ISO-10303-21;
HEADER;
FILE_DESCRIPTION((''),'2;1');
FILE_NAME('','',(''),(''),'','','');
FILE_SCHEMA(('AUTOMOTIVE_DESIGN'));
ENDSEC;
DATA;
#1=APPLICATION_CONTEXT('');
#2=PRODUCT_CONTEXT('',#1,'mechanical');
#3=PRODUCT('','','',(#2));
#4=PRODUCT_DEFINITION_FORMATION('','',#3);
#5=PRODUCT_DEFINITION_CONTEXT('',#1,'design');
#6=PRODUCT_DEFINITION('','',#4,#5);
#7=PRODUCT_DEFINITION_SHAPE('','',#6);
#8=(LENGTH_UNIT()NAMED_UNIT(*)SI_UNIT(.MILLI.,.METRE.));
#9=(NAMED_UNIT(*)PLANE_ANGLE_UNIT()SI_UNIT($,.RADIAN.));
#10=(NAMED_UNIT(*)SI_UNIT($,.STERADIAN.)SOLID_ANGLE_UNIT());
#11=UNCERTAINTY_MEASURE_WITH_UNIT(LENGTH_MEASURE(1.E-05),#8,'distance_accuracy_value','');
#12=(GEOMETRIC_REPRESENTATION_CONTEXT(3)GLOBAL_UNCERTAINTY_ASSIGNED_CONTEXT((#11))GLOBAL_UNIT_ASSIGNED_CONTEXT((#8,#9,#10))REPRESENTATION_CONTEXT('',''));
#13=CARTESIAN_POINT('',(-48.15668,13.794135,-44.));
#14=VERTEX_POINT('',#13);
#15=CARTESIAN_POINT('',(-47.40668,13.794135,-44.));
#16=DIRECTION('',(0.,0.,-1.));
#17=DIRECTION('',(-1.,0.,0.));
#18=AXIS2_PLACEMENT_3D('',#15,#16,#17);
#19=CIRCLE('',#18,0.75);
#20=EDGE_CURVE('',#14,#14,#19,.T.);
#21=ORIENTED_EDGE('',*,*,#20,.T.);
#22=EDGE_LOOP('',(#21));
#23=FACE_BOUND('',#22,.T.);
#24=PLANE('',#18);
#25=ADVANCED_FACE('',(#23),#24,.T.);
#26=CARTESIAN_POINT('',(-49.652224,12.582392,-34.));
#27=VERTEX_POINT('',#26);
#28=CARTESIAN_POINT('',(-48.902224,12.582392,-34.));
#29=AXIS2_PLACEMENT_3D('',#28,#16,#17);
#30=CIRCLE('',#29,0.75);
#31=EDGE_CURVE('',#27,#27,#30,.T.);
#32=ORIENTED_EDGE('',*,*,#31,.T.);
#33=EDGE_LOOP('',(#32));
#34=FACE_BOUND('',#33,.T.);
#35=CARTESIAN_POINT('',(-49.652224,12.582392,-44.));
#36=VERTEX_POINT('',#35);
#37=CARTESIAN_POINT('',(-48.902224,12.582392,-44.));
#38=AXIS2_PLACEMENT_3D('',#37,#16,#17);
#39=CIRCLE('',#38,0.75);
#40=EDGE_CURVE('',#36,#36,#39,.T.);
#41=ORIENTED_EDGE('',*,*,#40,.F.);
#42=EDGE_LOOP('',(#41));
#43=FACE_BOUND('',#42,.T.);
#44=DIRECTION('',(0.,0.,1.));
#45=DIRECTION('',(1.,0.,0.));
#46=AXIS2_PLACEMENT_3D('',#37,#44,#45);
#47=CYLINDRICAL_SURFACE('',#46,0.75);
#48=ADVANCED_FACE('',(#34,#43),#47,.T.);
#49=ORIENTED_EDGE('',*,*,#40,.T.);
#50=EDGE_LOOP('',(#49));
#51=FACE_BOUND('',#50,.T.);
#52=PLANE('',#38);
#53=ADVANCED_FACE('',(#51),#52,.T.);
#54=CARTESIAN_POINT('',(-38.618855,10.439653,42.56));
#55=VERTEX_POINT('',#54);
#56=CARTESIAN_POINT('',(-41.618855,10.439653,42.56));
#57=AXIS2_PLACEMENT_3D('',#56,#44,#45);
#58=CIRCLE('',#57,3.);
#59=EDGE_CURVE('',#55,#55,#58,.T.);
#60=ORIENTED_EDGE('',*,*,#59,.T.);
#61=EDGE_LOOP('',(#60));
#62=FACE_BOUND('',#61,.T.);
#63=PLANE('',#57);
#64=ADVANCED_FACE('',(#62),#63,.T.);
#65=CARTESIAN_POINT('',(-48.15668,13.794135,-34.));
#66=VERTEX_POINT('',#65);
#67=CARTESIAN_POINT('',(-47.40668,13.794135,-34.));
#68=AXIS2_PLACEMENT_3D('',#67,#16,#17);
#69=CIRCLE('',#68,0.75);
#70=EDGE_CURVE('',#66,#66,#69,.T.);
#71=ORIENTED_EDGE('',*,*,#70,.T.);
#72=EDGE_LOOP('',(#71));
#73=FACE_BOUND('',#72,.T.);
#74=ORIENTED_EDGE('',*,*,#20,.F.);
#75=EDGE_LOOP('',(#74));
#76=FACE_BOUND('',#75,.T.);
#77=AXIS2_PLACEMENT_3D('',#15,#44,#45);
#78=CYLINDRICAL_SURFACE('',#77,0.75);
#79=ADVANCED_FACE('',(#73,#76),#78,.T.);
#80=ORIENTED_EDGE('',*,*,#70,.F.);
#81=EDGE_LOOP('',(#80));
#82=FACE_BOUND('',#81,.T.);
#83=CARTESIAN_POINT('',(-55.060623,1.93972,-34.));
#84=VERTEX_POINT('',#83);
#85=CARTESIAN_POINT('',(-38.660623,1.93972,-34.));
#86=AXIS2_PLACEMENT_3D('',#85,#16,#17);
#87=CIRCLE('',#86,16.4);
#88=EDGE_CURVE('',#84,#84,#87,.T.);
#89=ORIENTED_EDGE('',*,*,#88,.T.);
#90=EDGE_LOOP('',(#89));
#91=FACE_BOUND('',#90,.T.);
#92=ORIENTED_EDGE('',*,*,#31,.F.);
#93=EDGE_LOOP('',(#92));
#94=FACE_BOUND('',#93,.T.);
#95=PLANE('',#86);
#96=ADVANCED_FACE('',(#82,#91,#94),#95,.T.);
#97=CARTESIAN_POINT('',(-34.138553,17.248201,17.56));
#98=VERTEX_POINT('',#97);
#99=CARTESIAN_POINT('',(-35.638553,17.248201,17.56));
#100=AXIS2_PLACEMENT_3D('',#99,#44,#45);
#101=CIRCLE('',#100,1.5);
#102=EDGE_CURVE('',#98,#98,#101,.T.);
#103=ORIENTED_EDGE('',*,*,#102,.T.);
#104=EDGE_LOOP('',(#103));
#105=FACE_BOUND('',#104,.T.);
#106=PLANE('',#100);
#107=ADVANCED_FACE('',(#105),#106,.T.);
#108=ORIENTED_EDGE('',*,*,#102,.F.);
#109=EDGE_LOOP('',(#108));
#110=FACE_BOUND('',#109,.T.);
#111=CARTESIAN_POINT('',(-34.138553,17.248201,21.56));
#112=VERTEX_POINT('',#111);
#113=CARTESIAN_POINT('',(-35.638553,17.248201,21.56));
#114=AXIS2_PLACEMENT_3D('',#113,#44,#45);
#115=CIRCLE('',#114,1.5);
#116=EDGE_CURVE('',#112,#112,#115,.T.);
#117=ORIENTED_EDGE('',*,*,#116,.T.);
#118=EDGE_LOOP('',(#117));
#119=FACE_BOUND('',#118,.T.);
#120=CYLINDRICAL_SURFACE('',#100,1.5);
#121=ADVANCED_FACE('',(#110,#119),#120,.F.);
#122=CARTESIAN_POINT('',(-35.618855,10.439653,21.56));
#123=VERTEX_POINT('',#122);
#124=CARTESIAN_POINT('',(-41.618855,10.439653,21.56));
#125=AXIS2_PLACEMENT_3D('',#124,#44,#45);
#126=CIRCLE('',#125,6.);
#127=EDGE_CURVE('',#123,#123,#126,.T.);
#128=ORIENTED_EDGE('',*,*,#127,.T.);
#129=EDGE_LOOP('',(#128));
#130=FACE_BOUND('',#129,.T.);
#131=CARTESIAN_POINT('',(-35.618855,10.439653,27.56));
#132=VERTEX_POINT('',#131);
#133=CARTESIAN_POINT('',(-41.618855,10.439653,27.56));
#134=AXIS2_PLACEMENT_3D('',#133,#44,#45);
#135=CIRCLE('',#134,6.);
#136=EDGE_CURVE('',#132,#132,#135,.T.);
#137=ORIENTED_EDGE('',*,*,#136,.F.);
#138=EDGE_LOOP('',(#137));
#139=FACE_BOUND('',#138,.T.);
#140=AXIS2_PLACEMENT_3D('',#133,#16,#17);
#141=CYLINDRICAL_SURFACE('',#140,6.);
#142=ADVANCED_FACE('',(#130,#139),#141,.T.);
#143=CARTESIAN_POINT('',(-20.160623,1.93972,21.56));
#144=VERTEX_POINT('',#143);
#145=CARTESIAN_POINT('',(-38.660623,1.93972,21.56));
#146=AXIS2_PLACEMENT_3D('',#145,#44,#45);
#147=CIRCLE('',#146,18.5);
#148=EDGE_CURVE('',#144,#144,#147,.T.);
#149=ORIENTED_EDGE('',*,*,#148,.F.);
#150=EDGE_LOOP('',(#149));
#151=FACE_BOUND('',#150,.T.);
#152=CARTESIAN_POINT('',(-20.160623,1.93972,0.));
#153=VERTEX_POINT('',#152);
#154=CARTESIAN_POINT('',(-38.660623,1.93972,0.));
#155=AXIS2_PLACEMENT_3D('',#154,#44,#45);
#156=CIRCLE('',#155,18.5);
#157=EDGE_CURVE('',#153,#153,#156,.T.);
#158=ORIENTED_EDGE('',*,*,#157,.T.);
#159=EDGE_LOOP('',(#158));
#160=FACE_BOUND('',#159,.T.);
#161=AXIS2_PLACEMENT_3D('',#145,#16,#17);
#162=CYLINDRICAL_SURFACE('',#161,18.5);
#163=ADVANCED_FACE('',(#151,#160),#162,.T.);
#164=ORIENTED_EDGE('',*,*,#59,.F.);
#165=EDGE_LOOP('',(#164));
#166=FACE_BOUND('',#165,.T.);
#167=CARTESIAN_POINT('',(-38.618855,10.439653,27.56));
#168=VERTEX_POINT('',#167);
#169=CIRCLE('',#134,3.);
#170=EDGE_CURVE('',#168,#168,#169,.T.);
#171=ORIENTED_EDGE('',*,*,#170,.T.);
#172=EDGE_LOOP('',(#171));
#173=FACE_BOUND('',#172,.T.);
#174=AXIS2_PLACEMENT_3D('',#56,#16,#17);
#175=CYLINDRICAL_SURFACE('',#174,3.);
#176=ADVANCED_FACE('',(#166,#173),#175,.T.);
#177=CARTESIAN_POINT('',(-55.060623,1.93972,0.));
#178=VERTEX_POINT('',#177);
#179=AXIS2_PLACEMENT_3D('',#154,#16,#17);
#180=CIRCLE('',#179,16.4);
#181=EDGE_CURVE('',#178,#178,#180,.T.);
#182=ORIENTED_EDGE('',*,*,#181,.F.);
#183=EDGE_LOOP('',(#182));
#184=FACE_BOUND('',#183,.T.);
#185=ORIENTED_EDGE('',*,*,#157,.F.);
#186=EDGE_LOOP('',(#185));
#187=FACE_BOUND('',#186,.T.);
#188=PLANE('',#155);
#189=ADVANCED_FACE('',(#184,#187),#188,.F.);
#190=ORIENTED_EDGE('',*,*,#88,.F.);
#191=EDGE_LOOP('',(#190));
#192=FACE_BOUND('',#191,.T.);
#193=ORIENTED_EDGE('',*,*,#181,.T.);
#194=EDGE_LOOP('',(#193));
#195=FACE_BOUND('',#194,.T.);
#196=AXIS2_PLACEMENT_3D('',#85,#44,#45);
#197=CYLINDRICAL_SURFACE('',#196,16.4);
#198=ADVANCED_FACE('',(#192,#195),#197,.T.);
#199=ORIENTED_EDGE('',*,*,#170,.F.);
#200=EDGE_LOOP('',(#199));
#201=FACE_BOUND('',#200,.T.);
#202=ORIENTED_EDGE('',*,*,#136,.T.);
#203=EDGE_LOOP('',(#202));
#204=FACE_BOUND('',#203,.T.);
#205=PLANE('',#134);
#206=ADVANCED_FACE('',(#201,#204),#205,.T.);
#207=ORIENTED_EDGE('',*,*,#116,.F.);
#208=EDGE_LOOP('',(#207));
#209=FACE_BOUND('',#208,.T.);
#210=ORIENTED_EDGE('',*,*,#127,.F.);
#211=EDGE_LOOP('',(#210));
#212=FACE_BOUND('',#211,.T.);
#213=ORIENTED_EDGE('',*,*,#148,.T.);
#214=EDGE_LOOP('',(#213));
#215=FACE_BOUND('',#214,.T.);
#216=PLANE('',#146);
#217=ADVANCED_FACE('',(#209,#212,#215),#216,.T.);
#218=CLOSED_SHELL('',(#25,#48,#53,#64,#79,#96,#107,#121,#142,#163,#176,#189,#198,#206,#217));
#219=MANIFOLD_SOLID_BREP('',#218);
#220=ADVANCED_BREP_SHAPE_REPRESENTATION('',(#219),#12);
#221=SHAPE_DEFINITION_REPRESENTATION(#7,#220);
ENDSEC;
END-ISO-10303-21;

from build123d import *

# Parameters (mm, degrees)
SKETCH1_R           = 18.5
BOSS_EXTRUDE1_DEPTH = 21.56
SKETCH2_R           = 6
BOSS_EXTRUDE2_DEPTH = 6
SKETCH3_R           = 3
BOSS_EXTRUDE3_DEPTH = 15
SKETCH4_R           = 1.5
CUT_EXTRUDE1_DEPTH  = 4
SKETCH5_R           = 16.4
BOSS_EXTRUDE4_DEPTH = 34
SKETCH7_R           = 0.75
BOSS_EXTRUDE5_DEPTH = 10
SKETCH8_R           = 0.75
BOSS_EXTRUDE6_DEPTH = 10


with BuildPart() as part:
    # Sketch1 → Boss-Extrude1 (new body)
    with BuildSketch(Plane.XY):
        with Locations((-38.660623091, 1.939719844)):
            Circle(SKETCH1_R)
    extrude(amount=BOSS_EXTRUDE1_DEPTH)

    # Sketch2 → Boss-Extrude2 (add)
    with BuildSketch(Plane.XY.offset(21.56)):
        with Locations((-41.618854638, 10.439653144)):
            Circle(SKETCH2_R)
    extrude(amount=BOSS_EXTRUDE2_DEPTH)

    # Sketch3 → Boss-Extrude3 (add)
    with BuildSketch(Plane.XY.offset(27.56)):
        with Locations((-41.618854638, 10.439653144)):
            Circle(SKETCH3_R)
    extrude(amount=BOSS_EXTRUDE3_DEPTH)

    # Sketch4 → Cut-Extrude1 (cut)
    with BuildSketch(Plane.XY.offset(21.56)):
        with Locations((-35.638553095, 17.248200675)):
            Circle(SKETCH4_R)
    extrude(amount=-CUT_EXTRUDE1_DEPTH, mode=Mode.SUBTRACT)

    # Sketch5 → Boss-Extrude4 (add)
    with BuildSketch(Plane(origin=(0, 0, 0), x_dir=(-1, 0, 0), z_dir=(0, 0, -1))):
        with Locations((38.660623091, 1.939719844)):
            Circle(SKETCH5_R)
    extrude(amount=BOSS_EXTRUDE4_DEPTH)

    # Sketch7 → Boss-Extrude5 (add)
    with BuildSketch(Plane(origin=(0, 0, -34), x_dir=(-1, 0, 0), z_dir=(0, 0, -1))):
        with Locations((47.406680411, 13.79413532)):
            Circle(SKETCH7_R)
    extrude(amount=BOSS_EXTRUDE5_DEPTH)

    # Sketch8 → Boss-Extrude6 (add)
    with BuildSketch(Plane(origin=(0, 0, -34), x_dir=(-1, 0, 0), z_dir=(0, 0, -1))):
        with Locations((48.902224114, 12.582392087)):
            Circle(SKETCH8_R)
    extrude(amount=BOSS_EXTRUDE6_DEPTH)


solid = part.part
